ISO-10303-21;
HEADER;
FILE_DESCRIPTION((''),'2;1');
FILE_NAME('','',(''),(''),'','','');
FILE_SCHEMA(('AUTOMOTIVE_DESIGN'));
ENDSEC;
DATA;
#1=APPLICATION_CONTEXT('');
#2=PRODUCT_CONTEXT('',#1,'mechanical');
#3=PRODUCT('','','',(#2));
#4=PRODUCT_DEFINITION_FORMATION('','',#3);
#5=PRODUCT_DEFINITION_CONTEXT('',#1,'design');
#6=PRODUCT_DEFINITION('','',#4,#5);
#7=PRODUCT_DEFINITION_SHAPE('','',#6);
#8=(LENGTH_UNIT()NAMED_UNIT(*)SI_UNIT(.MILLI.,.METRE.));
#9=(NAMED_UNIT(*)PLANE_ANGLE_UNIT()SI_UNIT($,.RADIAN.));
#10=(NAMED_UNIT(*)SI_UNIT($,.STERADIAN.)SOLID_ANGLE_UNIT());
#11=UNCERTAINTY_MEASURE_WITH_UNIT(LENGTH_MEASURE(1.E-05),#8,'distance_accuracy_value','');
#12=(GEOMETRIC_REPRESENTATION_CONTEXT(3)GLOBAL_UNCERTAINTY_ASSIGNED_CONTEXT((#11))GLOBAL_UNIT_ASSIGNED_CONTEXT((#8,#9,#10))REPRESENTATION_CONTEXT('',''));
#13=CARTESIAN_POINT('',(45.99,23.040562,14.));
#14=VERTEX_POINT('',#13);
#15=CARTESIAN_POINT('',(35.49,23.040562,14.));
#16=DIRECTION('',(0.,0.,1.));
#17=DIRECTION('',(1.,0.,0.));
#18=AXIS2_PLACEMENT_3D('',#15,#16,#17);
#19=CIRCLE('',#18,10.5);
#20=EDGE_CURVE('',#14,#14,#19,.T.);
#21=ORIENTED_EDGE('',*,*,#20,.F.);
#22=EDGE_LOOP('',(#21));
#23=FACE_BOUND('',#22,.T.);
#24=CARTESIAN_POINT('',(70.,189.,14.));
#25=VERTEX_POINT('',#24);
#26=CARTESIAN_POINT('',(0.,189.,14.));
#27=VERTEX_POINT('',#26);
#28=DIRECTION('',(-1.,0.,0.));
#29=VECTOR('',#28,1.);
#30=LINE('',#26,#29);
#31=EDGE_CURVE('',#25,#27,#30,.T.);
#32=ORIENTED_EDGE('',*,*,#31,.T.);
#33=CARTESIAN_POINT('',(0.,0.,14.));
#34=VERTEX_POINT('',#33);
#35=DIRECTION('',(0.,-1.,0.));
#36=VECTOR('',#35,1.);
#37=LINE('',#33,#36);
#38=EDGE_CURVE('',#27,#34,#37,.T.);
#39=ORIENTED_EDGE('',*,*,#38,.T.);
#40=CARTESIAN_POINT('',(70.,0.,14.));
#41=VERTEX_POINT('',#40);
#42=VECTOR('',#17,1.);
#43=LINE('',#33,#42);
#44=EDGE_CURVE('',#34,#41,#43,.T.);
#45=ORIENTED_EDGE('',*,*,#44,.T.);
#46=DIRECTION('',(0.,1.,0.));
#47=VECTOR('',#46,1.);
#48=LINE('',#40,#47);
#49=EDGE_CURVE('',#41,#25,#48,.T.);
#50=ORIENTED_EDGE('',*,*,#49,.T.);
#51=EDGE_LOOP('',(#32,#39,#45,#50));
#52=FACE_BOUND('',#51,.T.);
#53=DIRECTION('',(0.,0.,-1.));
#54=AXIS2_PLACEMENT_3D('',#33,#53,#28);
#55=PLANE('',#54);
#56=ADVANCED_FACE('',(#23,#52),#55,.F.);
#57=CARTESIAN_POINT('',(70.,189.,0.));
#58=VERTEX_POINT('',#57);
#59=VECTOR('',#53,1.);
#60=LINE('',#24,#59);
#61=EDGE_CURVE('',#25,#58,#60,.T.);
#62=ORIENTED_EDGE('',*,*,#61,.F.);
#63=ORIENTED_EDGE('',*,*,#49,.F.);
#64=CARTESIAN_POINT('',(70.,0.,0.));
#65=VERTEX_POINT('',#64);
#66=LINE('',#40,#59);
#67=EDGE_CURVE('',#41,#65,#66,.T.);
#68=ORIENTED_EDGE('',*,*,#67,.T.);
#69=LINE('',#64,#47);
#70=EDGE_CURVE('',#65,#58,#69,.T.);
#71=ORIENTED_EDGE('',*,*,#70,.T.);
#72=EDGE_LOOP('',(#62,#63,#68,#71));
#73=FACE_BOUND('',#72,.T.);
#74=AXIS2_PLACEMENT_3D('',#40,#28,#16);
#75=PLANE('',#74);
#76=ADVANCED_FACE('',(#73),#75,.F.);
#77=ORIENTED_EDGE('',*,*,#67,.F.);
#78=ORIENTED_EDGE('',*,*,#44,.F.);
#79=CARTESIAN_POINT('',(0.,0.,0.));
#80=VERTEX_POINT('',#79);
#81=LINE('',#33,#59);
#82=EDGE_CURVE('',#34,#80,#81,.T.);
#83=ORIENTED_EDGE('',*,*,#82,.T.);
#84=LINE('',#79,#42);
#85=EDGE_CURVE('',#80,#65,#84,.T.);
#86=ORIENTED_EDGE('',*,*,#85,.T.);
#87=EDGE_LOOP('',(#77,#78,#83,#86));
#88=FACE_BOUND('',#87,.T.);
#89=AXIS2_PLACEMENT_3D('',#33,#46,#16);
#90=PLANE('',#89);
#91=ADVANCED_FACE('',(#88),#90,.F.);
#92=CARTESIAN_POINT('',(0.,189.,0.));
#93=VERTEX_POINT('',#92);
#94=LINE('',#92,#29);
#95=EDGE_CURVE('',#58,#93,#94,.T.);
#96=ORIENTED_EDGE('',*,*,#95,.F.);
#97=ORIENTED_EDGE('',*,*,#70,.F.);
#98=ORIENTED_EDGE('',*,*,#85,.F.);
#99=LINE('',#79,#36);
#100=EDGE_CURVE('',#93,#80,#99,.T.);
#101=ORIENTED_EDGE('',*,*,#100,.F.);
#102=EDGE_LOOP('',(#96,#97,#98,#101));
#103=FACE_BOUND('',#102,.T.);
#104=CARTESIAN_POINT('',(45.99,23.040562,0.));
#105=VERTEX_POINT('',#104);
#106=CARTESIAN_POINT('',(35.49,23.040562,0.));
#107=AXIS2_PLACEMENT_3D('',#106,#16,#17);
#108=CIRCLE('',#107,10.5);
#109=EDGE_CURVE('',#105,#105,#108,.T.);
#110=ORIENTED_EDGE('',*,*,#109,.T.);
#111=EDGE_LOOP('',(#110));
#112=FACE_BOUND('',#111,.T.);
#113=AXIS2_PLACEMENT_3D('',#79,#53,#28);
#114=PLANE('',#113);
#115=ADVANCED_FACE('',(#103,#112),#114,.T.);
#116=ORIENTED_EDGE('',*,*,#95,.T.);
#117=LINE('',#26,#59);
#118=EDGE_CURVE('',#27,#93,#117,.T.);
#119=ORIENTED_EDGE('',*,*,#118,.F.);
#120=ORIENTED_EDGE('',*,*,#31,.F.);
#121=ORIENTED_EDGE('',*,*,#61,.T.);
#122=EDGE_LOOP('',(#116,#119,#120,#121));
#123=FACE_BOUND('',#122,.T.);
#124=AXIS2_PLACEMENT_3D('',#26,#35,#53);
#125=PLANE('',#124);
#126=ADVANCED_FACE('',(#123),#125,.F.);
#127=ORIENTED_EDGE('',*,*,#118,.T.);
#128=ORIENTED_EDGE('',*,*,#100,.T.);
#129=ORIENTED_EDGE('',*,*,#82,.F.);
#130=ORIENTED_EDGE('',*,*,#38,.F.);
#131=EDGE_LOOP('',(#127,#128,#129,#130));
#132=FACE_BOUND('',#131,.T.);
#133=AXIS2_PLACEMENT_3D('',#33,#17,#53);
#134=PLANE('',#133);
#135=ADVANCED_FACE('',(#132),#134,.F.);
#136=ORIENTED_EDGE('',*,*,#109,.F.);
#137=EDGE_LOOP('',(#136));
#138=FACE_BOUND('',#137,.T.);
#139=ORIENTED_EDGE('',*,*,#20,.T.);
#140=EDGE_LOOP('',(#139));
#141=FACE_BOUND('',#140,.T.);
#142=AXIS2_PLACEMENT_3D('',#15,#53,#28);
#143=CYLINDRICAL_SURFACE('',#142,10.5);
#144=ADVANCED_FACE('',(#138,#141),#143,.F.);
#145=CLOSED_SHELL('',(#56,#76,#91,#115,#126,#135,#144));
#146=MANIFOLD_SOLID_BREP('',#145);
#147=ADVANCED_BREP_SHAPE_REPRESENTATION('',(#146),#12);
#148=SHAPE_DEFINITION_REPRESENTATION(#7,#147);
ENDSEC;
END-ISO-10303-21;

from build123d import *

# Parameters (mm, degrees)
CROQUIS1_W              = 70
CROQUIS1_H              = 189
CROQUIS1_R              = 10.5
SALIENTE_EXTRUIR3_DEPTH = 14


with BuildPart() as part:
    # Croquis1 → Saliente-Extruir3 (new body)
    with BuildSketch(Plane.XY):
        with Locations((35, 94.5)):
            Rectangle(CROQUIS1_W, CROQUIS1_H)
        with Locations((35.49, 23.040561622)):
            Circle(CROQUIS1_R, mode=Mode.SUBTRACT)
    extrude(amount=SALIENTE_EXTRUIR3_DEPTH)


solid = part.part
